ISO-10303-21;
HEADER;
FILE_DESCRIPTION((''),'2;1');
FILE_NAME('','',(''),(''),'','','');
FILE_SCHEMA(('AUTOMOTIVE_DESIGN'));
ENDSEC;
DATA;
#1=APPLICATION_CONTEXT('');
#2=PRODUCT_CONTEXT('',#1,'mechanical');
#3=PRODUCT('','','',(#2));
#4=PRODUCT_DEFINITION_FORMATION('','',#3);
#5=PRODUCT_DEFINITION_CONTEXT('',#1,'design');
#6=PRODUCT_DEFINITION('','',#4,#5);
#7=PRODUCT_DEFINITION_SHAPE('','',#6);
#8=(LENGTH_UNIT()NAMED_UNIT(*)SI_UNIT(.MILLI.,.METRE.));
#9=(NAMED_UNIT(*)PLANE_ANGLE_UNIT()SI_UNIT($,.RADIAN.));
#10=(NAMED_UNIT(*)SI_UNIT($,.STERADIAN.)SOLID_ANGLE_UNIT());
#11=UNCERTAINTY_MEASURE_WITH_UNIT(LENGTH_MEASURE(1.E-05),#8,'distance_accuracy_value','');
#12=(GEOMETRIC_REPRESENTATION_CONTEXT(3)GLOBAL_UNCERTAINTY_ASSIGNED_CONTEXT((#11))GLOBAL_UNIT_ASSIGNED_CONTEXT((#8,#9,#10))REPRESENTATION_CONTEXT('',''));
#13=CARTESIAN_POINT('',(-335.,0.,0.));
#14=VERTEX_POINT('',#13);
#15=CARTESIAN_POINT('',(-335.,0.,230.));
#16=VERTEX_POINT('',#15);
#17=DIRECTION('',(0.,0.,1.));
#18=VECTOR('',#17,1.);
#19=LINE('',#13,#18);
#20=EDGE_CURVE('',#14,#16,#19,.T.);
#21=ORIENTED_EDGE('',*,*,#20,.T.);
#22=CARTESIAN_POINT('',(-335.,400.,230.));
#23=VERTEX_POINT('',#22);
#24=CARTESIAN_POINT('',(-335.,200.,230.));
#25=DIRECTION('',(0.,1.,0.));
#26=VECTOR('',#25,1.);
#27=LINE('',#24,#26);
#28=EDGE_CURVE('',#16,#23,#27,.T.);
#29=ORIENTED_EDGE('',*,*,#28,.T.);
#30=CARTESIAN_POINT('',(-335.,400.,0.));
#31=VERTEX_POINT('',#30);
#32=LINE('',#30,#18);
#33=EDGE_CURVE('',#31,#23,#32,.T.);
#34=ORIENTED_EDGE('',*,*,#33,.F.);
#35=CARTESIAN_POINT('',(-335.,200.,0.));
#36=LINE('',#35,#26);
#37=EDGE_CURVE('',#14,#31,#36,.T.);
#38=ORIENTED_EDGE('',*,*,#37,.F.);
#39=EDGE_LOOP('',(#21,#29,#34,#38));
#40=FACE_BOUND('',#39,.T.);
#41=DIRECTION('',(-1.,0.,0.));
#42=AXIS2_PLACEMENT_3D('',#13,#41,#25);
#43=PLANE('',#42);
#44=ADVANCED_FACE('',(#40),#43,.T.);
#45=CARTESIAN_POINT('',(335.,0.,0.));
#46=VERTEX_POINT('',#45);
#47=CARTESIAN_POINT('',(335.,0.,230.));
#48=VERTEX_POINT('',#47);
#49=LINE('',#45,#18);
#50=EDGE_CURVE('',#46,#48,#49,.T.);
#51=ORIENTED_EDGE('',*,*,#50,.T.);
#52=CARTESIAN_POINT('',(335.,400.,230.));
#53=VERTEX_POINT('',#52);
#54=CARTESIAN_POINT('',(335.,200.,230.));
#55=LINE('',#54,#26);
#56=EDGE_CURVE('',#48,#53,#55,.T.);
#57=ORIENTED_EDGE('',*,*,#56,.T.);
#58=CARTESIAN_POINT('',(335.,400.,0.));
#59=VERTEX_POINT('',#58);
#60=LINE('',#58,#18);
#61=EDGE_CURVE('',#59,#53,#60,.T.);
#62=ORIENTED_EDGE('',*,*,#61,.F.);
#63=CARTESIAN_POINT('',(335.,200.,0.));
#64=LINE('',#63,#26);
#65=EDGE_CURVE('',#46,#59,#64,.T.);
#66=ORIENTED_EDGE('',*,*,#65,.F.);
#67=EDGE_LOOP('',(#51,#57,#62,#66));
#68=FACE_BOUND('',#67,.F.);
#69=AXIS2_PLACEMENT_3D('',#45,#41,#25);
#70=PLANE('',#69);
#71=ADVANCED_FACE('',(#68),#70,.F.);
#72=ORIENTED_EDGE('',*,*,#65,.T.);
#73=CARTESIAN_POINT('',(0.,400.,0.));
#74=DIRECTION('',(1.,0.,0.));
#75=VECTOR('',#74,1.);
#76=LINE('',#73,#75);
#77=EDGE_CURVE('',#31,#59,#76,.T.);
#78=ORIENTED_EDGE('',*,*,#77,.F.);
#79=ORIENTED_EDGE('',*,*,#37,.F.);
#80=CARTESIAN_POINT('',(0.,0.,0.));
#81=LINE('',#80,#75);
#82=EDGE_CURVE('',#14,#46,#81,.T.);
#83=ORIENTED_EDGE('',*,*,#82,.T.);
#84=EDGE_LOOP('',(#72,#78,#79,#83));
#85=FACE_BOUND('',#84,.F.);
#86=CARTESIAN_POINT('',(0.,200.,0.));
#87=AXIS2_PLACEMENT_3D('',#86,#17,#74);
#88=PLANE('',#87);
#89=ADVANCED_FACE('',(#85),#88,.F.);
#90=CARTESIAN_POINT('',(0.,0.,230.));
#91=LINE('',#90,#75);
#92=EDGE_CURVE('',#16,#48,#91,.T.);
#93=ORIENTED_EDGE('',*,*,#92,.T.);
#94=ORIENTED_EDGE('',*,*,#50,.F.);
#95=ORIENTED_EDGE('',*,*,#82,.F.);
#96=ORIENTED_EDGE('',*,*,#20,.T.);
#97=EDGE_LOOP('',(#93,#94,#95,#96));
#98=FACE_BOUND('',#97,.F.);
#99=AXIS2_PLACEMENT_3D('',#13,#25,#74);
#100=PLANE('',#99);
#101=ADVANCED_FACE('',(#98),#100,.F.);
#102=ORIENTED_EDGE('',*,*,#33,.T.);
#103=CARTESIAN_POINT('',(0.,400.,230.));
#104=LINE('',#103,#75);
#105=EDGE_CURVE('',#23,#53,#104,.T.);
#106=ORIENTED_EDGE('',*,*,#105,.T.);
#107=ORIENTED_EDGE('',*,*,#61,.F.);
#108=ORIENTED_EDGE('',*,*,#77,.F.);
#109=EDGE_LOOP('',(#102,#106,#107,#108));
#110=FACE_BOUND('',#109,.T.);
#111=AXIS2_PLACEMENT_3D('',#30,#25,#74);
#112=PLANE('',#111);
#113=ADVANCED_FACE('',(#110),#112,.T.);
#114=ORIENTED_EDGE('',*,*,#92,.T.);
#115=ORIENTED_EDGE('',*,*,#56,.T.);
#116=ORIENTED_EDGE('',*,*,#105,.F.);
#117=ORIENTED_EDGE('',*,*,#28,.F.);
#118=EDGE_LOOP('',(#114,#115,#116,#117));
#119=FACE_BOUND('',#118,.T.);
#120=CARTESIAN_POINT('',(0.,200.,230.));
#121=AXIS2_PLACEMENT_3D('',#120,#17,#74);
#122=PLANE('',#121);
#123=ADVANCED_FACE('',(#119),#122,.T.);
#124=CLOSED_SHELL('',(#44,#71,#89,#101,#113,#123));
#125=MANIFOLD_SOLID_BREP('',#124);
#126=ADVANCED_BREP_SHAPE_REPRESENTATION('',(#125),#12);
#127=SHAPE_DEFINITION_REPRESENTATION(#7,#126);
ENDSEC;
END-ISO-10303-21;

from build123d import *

# Parameters (mm, degrees)
F0_W     = 670
F0_H     = 400
F1_DEPTH = 230
F2_DEPTH = 230


with BuildPart() as f1:
    # F0 (on Top) → F1 (new body)
    with BuildSketch(Plane.XY):
        with Locations((0, 200)):
            Rectangle(F0_W, F0_H)
    extrude(amount=F1_DEPTH)


with BuildPart() as f2:
    # F0 (on Top) → F2 (new body)
    with BuildSketch(Plane.XY):
        with Locations((0, 200)):
            Rectangle(F0_W, F0_H)
    extrude(amount=F2_DEPTH)


solid = f1.part
